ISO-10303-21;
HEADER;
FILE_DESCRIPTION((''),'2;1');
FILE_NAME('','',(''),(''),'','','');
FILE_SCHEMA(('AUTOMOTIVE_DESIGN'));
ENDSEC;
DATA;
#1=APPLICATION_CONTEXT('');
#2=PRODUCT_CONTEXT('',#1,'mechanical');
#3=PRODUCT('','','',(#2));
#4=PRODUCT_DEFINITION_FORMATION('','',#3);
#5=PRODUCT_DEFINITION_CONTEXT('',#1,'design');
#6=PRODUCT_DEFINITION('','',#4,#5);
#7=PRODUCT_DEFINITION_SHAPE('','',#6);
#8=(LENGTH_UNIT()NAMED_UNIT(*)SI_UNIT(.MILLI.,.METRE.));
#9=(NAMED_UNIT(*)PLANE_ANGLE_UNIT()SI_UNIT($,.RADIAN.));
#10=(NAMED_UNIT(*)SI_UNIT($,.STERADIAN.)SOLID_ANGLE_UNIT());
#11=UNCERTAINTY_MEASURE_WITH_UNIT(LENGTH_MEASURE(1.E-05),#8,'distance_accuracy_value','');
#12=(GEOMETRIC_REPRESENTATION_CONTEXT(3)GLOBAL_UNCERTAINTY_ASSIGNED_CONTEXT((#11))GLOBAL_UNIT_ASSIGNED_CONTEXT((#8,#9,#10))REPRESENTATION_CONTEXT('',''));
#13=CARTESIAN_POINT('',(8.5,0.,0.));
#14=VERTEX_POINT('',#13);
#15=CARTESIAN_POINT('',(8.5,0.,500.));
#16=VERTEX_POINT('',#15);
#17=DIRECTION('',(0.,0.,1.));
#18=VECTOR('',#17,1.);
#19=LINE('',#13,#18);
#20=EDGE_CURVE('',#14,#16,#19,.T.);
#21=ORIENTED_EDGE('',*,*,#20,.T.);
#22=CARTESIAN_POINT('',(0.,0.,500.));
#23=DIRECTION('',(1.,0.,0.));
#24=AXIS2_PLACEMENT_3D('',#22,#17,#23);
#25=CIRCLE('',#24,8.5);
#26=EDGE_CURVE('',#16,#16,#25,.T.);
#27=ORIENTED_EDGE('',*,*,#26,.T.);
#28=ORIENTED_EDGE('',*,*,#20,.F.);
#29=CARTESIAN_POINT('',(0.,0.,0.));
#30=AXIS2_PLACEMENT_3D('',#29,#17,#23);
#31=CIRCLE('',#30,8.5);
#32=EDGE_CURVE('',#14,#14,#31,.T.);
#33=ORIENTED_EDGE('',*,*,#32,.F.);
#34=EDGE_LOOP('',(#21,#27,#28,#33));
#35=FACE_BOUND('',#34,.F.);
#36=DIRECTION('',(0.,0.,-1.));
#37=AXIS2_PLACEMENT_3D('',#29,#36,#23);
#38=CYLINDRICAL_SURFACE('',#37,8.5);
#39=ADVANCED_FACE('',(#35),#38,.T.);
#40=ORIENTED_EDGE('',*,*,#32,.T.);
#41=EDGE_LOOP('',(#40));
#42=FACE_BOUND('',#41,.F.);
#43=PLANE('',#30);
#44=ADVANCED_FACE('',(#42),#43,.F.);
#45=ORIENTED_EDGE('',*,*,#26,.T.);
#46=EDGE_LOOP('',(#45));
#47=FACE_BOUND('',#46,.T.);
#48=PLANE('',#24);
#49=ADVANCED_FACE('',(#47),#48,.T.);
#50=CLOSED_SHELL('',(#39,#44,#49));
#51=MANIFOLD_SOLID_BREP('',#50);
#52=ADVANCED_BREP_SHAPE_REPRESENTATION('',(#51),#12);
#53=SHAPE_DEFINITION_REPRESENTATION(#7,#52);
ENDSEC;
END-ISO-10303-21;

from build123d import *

# Parameters (mm, degrees)
SKETCH_R  = 8.5
PAD_DEPTH = 500


with BuildPart() as part:
    # Sketch → Pad (new body)
    with BuildSketch(Plane.XY):
        Circle(SKETCH_R)
    extrude(amount=PAD_DEPTH)


solid = part.part
